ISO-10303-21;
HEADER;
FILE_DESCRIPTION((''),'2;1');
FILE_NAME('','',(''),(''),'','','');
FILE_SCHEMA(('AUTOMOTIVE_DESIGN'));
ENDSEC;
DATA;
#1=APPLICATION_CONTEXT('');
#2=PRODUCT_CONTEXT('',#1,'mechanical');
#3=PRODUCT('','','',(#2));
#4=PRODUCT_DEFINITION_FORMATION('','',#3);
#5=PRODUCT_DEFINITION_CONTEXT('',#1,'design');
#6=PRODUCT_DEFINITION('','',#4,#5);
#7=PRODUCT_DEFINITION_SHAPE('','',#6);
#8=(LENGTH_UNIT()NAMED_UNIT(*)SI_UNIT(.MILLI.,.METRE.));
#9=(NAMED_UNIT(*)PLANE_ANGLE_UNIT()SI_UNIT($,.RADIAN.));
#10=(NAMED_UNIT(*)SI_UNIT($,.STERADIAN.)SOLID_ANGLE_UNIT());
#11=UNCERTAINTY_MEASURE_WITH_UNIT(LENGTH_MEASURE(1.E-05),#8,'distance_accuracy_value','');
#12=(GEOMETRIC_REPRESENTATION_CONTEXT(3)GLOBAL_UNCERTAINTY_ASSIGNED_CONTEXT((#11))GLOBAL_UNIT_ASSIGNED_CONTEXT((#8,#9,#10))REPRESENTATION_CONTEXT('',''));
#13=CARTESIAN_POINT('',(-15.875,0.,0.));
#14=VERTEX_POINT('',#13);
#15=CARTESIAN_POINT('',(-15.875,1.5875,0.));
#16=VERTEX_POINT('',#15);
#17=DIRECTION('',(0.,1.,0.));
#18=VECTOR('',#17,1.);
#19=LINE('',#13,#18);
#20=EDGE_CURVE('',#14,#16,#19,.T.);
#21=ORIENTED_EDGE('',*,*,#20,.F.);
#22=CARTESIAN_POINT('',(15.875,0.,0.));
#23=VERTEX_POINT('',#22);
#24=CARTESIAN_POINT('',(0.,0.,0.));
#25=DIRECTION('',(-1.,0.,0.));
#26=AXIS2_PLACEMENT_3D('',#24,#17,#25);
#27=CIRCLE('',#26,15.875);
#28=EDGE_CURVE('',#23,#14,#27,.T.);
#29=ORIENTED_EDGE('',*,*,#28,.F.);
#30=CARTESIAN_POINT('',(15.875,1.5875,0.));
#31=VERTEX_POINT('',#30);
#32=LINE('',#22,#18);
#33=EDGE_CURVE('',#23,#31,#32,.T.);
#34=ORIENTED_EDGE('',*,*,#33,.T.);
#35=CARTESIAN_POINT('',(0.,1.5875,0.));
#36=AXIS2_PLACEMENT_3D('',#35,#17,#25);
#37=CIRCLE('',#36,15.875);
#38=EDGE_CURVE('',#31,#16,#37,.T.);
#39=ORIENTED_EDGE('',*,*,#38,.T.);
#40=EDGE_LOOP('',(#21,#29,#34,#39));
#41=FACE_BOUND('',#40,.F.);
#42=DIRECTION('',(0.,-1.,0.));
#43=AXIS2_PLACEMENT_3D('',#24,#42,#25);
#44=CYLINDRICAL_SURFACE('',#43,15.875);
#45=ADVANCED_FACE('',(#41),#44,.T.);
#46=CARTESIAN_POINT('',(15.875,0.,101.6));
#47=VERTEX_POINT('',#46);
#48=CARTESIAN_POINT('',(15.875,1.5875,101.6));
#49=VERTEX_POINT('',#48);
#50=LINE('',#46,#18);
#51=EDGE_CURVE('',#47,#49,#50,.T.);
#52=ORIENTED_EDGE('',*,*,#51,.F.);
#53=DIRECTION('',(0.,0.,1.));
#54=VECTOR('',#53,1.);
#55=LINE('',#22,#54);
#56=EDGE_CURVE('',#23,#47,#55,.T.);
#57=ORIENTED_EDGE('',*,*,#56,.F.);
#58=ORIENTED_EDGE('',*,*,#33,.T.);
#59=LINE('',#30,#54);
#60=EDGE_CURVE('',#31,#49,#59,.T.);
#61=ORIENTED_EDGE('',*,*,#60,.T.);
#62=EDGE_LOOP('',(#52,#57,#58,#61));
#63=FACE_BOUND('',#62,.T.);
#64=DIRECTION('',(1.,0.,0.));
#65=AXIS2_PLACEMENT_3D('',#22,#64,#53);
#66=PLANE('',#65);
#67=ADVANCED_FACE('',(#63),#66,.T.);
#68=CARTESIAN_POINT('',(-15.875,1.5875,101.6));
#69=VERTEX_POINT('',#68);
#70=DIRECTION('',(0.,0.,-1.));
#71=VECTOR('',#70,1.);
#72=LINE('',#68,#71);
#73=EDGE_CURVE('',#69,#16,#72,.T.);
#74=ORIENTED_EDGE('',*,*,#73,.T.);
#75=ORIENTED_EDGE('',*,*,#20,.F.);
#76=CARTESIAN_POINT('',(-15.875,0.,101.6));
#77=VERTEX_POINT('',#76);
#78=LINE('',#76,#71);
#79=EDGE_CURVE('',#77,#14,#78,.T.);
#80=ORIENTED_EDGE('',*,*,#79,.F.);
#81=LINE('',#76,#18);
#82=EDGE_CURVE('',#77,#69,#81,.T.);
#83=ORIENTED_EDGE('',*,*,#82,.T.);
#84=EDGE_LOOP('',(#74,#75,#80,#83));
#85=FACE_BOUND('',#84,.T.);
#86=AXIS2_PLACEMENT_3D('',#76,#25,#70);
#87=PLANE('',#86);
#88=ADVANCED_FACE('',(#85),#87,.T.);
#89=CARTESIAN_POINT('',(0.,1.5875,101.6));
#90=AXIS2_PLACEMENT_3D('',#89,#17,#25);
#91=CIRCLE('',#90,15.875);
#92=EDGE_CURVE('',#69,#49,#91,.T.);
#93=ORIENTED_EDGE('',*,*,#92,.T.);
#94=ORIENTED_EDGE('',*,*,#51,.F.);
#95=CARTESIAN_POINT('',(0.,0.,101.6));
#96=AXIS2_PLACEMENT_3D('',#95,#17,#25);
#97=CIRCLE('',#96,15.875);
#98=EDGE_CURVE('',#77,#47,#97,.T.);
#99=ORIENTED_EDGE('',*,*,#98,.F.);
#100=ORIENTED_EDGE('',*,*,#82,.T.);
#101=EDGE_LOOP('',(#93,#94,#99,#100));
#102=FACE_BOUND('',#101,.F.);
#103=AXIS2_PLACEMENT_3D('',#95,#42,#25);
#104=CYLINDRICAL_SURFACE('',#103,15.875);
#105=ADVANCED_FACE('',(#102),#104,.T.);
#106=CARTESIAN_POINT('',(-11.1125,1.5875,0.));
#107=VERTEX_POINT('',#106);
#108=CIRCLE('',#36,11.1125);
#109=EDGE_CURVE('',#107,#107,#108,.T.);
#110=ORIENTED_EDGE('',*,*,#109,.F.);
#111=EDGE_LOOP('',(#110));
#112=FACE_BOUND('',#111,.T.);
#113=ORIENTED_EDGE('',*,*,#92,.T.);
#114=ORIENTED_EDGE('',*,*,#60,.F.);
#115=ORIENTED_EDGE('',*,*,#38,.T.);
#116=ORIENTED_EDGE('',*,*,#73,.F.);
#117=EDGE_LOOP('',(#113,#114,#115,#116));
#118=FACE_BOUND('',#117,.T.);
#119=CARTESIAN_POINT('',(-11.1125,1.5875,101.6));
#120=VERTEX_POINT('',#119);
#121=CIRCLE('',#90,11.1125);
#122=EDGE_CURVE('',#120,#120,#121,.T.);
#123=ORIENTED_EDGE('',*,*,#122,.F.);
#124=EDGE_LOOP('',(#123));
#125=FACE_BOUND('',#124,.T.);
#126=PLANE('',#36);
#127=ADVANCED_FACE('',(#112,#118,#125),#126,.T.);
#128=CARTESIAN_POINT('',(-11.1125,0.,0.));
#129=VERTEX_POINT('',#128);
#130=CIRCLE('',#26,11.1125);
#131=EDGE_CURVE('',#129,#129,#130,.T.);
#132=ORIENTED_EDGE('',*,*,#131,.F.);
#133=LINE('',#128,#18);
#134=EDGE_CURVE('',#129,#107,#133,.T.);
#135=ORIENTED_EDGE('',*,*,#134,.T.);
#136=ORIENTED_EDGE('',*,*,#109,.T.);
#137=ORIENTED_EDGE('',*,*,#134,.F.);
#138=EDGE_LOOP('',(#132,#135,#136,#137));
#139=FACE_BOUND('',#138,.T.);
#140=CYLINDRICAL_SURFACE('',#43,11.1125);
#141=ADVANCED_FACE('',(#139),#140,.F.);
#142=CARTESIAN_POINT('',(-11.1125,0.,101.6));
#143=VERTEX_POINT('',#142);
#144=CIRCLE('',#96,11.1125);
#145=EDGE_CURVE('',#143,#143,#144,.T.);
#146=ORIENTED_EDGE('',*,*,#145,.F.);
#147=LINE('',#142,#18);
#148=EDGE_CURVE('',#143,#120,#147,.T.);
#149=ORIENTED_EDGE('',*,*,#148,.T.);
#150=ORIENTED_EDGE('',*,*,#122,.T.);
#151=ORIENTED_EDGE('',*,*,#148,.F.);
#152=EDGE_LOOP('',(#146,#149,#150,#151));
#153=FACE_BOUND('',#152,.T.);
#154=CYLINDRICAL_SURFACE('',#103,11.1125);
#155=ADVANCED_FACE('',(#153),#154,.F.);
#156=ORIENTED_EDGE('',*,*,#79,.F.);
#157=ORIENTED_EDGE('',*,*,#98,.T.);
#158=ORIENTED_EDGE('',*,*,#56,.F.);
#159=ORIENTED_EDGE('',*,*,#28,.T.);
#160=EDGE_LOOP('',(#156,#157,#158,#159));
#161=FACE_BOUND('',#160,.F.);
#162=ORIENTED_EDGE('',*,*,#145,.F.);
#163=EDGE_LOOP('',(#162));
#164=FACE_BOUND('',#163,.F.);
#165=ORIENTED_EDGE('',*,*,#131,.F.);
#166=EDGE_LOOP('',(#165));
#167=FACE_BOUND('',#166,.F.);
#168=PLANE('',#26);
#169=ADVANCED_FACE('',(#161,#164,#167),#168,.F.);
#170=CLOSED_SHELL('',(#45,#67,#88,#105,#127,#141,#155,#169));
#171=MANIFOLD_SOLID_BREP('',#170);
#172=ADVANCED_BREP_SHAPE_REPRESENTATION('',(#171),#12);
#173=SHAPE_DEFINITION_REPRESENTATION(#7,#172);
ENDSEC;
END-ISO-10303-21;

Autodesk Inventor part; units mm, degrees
ref_plane "YZ Plane" through (0, 0, 0) normal (1, 0, 0) x (0, 1, 0)
ref_plane "XZ Plane" through (0, 0, 0) normal (0, 1, 0) x (-1, 0, 0)
ref_plane "XY Plane" through (0, 0, 0) normal (0, 0, 1) x (1, 0, 0)
sketch "Sketch1" plane through (0, 0, 0) normal (0, 1, 0) x (-1, 0, 0)
  circle A0 centre (0, 0) radius 11.1125
  circle A1 centre (0, 0) radius 15.875
  line L0 (0, 0) -> (0, 101.6) construction
  line L1 (-15.875, 0) -> (-15.875, 101.6)
  line L2 (15.875, 101.6) -> (15.875, 0)
  arc A2 (-15.875, 0) -> (15.875, 0) centre (0, 0) ccw
  arc A3 (15.875, 101.6) -> (-15.875, 101.6) centre (0, 101.6) ccw
  circle A4 centre (0, 101.6) radius 11.1125
  point P0 (0, 50.8)
  dimension "d0" = 22.225
  dimension "d1" = 31.75
  dimension "d2" = 101.6
  dimension "d3" = 22.225
extrude "Extrusion1" add sketch "Sketch1" along normal blind 1.5875
properties part number "intake 1.1" material "Acetal Resin, Black"
